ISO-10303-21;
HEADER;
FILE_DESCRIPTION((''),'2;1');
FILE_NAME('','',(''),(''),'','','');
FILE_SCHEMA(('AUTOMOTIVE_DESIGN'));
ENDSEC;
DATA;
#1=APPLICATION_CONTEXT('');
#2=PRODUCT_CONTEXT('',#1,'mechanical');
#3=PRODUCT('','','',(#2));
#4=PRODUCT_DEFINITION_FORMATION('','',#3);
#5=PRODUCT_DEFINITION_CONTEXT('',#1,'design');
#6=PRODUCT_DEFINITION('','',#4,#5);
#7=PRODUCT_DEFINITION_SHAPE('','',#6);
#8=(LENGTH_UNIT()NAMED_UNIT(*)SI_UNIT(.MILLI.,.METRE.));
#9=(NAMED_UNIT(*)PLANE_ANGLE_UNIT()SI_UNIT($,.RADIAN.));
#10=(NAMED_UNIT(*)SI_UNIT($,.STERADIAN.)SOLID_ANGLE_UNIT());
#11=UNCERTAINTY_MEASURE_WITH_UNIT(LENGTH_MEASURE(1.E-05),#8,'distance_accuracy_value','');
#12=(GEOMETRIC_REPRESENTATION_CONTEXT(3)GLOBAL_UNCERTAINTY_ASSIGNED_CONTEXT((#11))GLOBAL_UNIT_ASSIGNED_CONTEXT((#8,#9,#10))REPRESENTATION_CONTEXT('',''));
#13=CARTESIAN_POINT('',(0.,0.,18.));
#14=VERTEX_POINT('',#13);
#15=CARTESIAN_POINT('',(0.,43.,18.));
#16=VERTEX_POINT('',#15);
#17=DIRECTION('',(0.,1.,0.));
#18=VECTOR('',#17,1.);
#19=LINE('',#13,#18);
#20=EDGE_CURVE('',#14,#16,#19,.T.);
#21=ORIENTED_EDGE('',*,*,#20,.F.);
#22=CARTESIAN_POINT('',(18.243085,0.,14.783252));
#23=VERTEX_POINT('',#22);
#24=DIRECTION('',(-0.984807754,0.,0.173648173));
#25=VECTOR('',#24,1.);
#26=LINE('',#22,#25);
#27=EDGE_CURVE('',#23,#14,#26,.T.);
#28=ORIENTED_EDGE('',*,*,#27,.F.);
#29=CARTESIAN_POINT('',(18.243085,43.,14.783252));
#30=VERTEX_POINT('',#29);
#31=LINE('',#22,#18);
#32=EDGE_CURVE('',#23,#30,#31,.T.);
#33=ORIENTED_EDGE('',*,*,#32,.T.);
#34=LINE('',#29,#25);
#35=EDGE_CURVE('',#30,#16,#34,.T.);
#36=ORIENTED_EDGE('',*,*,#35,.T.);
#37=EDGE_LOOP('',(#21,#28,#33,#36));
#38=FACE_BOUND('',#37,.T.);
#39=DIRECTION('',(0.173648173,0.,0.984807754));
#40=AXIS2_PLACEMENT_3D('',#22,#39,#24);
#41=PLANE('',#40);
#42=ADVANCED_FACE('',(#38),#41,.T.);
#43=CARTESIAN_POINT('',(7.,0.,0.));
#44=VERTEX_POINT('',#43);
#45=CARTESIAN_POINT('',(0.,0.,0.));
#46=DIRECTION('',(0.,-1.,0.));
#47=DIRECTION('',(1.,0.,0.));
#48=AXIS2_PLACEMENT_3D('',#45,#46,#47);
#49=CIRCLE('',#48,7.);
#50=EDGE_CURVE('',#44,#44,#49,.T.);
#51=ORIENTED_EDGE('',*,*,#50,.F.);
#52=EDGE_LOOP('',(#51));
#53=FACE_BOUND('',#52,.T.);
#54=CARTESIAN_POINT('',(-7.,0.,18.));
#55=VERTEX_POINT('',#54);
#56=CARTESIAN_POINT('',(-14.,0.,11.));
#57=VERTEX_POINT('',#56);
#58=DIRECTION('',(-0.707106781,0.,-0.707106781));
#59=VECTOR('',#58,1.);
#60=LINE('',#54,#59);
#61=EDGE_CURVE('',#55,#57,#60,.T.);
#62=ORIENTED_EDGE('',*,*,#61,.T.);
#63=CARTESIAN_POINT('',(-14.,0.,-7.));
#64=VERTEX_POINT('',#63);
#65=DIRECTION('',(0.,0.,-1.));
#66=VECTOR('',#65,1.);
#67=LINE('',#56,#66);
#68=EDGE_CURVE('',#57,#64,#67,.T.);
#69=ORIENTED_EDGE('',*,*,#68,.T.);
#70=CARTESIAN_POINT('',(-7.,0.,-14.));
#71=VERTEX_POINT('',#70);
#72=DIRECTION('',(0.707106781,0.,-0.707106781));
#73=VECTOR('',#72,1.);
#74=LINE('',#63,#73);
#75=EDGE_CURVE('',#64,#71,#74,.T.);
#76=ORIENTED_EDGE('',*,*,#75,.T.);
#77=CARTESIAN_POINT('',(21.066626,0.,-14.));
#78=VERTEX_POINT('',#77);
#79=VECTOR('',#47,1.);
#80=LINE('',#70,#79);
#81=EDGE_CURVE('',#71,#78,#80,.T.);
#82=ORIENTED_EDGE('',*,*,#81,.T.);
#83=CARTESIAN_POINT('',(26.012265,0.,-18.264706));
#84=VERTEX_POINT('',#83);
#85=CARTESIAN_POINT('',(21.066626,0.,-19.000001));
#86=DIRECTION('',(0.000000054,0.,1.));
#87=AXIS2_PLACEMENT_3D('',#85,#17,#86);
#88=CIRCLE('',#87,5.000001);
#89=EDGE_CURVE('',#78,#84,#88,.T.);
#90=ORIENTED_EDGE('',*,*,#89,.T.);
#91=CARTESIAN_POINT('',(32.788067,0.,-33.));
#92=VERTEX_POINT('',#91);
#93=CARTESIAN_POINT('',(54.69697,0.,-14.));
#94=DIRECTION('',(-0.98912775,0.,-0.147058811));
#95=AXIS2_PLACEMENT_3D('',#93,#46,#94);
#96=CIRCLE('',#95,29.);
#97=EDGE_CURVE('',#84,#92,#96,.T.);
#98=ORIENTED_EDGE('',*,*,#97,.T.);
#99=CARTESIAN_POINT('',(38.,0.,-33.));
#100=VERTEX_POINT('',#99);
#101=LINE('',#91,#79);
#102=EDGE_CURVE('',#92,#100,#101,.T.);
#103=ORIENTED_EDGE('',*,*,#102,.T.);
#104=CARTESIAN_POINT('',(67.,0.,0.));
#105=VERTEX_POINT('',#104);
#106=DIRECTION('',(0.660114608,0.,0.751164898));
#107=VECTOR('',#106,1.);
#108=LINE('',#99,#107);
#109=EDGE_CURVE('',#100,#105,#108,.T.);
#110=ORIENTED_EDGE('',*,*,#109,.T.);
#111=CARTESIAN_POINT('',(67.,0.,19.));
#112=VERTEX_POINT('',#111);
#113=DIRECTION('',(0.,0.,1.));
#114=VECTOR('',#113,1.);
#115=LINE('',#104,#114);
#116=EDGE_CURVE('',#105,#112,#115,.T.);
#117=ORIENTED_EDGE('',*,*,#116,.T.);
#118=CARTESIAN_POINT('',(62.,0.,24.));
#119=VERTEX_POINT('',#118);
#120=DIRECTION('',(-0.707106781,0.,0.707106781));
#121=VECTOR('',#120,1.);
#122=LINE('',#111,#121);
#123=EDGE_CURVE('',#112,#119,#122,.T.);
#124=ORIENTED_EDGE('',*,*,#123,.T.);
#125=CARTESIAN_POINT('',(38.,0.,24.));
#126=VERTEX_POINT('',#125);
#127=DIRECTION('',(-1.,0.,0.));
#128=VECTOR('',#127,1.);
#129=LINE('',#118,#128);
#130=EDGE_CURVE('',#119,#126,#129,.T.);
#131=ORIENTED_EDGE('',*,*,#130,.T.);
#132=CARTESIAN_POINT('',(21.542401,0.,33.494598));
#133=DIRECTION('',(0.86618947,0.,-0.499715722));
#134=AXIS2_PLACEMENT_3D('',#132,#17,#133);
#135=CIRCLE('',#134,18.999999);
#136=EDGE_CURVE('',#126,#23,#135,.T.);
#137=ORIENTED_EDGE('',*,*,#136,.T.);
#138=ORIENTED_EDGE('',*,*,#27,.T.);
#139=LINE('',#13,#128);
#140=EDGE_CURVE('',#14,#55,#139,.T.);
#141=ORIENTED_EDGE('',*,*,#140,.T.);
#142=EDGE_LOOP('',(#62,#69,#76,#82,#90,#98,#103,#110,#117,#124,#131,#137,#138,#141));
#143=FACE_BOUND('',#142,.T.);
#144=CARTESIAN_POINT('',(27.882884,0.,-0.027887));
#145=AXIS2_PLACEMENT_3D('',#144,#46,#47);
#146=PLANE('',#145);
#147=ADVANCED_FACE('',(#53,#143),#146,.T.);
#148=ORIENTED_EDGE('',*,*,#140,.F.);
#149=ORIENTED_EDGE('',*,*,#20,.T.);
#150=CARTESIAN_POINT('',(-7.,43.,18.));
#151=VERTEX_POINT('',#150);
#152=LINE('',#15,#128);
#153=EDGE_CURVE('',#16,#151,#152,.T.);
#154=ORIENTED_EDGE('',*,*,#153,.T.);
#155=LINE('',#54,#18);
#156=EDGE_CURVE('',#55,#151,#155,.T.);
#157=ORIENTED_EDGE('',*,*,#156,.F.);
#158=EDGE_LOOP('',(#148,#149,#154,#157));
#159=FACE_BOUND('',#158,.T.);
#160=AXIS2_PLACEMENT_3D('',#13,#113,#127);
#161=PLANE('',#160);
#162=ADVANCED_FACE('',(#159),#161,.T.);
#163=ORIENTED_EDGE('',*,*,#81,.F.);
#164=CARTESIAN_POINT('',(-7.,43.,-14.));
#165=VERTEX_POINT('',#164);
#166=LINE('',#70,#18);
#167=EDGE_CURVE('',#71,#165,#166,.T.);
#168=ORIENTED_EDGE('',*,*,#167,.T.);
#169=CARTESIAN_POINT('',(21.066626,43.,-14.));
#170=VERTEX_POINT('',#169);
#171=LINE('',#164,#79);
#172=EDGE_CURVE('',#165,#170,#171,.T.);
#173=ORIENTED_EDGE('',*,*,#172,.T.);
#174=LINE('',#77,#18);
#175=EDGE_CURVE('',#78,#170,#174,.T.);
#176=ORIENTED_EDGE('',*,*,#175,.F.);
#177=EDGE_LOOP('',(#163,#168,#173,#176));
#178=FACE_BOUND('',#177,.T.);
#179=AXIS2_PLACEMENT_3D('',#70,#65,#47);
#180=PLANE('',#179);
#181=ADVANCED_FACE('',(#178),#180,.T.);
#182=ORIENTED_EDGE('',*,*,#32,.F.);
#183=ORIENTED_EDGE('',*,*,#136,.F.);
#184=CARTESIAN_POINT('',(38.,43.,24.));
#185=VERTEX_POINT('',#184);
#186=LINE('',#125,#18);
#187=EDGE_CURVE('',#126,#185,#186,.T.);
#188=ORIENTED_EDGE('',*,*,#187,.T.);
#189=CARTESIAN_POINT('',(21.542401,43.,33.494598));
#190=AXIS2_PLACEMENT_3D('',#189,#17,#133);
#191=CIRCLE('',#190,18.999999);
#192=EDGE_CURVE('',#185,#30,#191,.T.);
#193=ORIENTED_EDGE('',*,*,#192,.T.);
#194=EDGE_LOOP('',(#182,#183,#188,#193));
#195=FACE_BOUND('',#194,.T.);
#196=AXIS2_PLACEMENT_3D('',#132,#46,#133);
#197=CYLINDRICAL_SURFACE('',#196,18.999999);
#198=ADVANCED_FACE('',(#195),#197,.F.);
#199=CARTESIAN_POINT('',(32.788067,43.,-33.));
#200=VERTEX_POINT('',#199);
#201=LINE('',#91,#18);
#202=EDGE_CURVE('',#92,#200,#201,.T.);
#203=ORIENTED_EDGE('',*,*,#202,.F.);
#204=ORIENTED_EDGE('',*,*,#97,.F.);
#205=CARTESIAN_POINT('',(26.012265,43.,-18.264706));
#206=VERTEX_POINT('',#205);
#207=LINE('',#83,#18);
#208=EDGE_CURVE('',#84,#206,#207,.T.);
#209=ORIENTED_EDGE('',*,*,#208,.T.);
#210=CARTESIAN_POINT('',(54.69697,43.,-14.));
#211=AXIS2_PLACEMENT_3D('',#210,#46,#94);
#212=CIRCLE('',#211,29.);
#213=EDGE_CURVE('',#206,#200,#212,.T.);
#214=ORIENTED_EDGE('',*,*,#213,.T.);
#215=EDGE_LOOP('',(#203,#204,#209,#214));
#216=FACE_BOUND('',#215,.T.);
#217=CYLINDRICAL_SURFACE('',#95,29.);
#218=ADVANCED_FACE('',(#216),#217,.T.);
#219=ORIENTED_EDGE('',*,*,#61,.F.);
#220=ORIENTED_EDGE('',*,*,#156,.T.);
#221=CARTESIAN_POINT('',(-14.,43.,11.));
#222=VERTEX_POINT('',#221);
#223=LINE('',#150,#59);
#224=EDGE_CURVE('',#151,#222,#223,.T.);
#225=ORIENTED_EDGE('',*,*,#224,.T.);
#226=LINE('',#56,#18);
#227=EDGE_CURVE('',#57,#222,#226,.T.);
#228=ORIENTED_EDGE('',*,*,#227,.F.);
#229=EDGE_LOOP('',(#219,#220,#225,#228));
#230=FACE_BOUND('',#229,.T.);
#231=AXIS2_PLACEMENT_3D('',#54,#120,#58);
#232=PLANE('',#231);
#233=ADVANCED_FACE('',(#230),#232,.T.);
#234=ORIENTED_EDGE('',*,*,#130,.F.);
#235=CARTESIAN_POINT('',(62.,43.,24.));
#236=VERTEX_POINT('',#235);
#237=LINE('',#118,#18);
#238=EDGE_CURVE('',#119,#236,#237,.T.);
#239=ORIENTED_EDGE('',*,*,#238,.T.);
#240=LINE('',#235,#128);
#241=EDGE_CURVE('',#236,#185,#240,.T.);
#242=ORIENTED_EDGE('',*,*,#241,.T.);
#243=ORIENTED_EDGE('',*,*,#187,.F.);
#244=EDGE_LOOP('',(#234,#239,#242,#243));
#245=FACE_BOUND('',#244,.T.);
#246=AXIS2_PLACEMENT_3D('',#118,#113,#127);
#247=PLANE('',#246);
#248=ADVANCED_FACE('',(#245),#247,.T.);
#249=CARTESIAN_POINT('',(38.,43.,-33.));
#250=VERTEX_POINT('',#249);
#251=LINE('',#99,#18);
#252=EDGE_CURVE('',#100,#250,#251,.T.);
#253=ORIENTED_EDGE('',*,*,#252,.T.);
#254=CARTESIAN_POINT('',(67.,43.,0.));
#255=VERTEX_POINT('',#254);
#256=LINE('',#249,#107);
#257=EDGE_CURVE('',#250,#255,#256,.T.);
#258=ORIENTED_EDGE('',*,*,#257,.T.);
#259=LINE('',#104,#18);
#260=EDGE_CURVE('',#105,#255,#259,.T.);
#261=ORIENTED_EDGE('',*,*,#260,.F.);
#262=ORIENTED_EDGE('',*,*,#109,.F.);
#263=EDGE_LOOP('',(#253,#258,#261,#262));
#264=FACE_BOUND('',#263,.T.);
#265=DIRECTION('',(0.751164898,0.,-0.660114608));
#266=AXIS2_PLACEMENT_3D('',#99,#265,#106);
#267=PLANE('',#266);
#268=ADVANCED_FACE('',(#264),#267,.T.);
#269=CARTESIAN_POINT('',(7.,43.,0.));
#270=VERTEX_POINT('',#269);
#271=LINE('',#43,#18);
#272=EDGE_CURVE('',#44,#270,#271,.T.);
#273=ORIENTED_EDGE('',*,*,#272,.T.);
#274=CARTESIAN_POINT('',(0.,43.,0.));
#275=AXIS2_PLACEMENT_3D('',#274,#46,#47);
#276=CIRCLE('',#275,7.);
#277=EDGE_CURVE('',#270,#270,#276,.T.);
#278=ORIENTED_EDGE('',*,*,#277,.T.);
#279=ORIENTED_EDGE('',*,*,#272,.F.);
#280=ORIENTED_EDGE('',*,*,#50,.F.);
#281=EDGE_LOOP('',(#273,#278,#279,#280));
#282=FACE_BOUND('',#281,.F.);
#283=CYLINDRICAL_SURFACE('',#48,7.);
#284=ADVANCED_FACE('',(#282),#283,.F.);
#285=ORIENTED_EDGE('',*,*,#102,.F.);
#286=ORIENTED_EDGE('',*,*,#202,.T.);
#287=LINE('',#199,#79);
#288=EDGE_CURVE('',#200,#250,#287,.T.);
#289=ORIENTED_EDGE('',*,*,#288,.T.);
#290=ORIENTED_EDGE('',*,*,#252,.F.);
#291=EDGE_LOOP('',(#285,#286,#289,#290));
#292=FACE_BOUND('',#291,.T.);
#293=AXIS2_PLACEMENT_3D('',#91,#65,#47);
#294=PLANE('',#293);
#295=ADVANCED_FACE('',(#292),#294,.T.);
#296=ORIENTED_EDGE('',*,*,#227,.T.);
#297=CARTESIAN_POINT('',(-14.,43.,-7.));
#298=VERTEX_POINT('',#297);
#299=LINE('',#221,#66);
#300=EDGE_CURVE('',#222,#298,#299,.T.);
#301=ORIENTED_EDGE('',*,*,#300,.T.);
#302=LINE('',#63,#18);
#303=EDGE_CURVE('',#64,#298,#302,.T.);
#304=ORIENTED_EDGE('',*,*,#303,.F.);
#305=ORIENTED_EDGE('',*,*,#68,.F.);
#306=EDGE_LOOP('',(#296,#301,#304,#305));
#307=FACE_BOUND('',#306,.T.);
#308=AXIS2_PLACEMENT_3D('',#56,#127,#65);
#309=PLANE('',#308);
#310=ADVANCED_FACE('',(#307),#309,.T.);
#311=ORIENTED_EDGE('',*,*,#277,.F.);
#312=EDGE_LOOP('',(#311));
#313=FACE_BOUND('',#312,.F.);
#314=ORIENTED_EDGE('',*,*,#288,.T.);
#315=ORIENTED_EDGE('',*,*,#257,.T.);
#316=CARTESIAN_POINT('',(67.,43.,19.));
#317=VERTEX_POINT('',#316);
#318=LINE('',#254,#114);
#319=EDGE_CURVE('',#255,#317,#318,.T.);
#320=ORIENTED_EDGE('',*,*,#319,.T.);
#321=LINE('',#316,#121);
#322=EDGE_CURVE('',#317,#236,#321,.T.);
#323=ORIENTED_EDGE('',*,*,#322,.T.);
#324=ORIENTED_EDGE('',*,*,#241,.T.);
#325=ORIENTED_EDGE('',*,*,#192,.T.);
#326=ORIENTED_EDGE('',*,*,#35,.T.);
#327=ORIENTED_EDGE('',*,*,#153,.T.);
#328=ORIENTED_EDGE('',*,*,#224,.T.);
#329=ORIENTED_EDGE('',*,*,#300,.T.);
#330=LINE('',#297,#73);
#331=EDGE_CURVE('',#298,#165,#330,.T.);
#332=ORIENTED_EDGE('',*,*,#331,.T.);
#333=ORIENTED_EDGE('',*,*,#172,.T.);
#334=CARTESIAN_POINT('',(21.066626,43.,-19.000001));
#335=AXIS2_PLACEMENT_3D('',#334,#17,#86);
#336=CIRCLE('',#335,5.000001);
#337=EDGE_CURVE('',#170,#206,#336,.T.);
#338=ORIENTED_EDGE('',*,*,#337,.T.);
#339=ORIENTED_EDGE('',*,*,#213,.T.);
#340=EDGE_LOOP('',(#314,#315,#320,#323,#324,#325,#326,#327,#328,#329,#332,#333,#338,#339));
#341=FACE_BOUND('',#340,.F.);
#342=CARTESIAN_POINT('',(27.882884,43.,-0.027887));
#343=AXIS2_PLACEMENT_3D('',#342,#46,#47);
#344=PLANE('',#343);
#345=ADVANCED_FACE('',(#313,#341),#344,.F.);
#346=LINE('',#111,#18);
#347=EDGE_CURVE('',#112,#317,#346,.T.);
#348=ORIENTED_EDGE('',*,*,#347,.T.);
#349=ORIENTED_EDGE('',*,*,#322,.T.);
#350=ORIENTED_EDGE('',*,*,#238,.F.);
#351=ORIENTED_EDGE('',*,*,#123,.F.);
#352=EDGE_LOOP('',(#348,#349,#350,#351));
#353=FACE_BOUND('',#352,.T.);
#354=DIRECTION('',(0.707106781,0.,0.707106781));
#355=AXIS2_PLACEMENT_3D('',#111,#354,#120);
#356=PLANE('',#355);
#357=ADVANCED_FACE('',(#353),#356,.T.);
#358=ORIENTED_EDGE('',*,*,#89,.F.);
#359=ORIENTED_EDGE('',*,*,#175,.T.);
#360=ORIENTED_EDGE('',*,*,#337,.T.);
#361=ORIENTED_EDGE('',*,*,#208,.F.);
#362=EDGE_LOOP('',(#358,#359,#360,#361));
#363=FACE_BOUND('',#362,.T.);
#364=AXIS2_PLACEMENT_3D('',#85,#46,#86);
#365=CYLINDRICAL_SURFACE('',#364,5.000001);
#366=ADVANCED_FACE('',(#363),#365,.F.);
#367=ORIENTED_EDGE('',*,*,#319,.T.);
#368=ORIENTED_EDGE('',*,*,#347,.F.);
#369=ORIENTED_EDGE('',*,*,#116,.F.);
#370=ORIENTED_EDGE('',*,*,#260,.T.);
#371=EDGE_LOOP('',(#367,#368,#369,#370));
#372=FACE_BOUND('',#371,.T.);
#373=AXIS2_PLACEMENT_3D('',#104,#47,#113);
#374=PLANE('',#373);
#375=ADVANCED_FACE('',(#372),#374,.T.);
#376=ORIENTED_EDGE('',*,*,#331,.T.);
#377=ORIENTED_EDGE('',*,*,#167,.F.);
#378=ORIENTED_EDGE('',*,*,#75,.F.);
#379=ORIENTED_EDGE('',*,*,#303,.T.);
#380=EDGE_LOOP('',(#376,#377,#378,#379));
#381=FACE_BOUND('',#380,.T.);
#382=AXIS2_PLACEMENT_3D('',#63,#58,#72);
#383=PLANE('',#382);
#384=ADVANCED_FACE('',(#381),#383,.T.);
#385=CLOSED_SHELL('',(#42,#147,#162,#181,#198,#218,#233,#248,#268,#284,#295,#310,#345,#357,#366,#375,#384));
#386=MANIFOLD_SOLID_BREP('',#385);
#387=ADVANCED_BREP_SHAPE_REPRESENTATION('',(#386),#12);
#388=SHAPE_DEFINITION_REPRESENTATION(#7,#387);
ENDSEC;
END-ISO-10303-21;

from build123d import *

# Parameters (mm, degrees)
F0_R     = 7
F1_DEPTH = 43


with BuildPart() as f1:
    # F0 (on Front) → F1 (new body)
    with BuildSketch(Plane.XZ):
        with BuildLine():
            Line((-14, 11), (-14, -7))
            Line((-14, -7), (-7, -14))
            Line((-7, -14), (21.066626, -14))
            ThreePointArc((21.066626, -14), (24.331862, -15.213414), (26.012265, -18.264706))
            ThreePointArc((26.012265, -18.264706), (28.349095, -26.115672), (32.788067, -33))
            Line((32.788067, -33), (38, -33))
            Line((38, -33), (67, 0))
            Line((67, 0), (67, 19))
            Line((67, 19), (62, 24))
            Line((62, 24), (38, 24))
            ThreePointArc((38, 24), (29.574973, 16.276069), (18.243085, 14.783252))
            Line((18.243085, 14.783252), (0, 18))
            Line((0, 18), (-7, 18))
            Line((-7, 18), (-14, 11))
        make_face()
        Circle(F0_R, mode=Mode.SUBTRACT)
    extrude(amount=-F1_DEPTH)


solid = f1.part
